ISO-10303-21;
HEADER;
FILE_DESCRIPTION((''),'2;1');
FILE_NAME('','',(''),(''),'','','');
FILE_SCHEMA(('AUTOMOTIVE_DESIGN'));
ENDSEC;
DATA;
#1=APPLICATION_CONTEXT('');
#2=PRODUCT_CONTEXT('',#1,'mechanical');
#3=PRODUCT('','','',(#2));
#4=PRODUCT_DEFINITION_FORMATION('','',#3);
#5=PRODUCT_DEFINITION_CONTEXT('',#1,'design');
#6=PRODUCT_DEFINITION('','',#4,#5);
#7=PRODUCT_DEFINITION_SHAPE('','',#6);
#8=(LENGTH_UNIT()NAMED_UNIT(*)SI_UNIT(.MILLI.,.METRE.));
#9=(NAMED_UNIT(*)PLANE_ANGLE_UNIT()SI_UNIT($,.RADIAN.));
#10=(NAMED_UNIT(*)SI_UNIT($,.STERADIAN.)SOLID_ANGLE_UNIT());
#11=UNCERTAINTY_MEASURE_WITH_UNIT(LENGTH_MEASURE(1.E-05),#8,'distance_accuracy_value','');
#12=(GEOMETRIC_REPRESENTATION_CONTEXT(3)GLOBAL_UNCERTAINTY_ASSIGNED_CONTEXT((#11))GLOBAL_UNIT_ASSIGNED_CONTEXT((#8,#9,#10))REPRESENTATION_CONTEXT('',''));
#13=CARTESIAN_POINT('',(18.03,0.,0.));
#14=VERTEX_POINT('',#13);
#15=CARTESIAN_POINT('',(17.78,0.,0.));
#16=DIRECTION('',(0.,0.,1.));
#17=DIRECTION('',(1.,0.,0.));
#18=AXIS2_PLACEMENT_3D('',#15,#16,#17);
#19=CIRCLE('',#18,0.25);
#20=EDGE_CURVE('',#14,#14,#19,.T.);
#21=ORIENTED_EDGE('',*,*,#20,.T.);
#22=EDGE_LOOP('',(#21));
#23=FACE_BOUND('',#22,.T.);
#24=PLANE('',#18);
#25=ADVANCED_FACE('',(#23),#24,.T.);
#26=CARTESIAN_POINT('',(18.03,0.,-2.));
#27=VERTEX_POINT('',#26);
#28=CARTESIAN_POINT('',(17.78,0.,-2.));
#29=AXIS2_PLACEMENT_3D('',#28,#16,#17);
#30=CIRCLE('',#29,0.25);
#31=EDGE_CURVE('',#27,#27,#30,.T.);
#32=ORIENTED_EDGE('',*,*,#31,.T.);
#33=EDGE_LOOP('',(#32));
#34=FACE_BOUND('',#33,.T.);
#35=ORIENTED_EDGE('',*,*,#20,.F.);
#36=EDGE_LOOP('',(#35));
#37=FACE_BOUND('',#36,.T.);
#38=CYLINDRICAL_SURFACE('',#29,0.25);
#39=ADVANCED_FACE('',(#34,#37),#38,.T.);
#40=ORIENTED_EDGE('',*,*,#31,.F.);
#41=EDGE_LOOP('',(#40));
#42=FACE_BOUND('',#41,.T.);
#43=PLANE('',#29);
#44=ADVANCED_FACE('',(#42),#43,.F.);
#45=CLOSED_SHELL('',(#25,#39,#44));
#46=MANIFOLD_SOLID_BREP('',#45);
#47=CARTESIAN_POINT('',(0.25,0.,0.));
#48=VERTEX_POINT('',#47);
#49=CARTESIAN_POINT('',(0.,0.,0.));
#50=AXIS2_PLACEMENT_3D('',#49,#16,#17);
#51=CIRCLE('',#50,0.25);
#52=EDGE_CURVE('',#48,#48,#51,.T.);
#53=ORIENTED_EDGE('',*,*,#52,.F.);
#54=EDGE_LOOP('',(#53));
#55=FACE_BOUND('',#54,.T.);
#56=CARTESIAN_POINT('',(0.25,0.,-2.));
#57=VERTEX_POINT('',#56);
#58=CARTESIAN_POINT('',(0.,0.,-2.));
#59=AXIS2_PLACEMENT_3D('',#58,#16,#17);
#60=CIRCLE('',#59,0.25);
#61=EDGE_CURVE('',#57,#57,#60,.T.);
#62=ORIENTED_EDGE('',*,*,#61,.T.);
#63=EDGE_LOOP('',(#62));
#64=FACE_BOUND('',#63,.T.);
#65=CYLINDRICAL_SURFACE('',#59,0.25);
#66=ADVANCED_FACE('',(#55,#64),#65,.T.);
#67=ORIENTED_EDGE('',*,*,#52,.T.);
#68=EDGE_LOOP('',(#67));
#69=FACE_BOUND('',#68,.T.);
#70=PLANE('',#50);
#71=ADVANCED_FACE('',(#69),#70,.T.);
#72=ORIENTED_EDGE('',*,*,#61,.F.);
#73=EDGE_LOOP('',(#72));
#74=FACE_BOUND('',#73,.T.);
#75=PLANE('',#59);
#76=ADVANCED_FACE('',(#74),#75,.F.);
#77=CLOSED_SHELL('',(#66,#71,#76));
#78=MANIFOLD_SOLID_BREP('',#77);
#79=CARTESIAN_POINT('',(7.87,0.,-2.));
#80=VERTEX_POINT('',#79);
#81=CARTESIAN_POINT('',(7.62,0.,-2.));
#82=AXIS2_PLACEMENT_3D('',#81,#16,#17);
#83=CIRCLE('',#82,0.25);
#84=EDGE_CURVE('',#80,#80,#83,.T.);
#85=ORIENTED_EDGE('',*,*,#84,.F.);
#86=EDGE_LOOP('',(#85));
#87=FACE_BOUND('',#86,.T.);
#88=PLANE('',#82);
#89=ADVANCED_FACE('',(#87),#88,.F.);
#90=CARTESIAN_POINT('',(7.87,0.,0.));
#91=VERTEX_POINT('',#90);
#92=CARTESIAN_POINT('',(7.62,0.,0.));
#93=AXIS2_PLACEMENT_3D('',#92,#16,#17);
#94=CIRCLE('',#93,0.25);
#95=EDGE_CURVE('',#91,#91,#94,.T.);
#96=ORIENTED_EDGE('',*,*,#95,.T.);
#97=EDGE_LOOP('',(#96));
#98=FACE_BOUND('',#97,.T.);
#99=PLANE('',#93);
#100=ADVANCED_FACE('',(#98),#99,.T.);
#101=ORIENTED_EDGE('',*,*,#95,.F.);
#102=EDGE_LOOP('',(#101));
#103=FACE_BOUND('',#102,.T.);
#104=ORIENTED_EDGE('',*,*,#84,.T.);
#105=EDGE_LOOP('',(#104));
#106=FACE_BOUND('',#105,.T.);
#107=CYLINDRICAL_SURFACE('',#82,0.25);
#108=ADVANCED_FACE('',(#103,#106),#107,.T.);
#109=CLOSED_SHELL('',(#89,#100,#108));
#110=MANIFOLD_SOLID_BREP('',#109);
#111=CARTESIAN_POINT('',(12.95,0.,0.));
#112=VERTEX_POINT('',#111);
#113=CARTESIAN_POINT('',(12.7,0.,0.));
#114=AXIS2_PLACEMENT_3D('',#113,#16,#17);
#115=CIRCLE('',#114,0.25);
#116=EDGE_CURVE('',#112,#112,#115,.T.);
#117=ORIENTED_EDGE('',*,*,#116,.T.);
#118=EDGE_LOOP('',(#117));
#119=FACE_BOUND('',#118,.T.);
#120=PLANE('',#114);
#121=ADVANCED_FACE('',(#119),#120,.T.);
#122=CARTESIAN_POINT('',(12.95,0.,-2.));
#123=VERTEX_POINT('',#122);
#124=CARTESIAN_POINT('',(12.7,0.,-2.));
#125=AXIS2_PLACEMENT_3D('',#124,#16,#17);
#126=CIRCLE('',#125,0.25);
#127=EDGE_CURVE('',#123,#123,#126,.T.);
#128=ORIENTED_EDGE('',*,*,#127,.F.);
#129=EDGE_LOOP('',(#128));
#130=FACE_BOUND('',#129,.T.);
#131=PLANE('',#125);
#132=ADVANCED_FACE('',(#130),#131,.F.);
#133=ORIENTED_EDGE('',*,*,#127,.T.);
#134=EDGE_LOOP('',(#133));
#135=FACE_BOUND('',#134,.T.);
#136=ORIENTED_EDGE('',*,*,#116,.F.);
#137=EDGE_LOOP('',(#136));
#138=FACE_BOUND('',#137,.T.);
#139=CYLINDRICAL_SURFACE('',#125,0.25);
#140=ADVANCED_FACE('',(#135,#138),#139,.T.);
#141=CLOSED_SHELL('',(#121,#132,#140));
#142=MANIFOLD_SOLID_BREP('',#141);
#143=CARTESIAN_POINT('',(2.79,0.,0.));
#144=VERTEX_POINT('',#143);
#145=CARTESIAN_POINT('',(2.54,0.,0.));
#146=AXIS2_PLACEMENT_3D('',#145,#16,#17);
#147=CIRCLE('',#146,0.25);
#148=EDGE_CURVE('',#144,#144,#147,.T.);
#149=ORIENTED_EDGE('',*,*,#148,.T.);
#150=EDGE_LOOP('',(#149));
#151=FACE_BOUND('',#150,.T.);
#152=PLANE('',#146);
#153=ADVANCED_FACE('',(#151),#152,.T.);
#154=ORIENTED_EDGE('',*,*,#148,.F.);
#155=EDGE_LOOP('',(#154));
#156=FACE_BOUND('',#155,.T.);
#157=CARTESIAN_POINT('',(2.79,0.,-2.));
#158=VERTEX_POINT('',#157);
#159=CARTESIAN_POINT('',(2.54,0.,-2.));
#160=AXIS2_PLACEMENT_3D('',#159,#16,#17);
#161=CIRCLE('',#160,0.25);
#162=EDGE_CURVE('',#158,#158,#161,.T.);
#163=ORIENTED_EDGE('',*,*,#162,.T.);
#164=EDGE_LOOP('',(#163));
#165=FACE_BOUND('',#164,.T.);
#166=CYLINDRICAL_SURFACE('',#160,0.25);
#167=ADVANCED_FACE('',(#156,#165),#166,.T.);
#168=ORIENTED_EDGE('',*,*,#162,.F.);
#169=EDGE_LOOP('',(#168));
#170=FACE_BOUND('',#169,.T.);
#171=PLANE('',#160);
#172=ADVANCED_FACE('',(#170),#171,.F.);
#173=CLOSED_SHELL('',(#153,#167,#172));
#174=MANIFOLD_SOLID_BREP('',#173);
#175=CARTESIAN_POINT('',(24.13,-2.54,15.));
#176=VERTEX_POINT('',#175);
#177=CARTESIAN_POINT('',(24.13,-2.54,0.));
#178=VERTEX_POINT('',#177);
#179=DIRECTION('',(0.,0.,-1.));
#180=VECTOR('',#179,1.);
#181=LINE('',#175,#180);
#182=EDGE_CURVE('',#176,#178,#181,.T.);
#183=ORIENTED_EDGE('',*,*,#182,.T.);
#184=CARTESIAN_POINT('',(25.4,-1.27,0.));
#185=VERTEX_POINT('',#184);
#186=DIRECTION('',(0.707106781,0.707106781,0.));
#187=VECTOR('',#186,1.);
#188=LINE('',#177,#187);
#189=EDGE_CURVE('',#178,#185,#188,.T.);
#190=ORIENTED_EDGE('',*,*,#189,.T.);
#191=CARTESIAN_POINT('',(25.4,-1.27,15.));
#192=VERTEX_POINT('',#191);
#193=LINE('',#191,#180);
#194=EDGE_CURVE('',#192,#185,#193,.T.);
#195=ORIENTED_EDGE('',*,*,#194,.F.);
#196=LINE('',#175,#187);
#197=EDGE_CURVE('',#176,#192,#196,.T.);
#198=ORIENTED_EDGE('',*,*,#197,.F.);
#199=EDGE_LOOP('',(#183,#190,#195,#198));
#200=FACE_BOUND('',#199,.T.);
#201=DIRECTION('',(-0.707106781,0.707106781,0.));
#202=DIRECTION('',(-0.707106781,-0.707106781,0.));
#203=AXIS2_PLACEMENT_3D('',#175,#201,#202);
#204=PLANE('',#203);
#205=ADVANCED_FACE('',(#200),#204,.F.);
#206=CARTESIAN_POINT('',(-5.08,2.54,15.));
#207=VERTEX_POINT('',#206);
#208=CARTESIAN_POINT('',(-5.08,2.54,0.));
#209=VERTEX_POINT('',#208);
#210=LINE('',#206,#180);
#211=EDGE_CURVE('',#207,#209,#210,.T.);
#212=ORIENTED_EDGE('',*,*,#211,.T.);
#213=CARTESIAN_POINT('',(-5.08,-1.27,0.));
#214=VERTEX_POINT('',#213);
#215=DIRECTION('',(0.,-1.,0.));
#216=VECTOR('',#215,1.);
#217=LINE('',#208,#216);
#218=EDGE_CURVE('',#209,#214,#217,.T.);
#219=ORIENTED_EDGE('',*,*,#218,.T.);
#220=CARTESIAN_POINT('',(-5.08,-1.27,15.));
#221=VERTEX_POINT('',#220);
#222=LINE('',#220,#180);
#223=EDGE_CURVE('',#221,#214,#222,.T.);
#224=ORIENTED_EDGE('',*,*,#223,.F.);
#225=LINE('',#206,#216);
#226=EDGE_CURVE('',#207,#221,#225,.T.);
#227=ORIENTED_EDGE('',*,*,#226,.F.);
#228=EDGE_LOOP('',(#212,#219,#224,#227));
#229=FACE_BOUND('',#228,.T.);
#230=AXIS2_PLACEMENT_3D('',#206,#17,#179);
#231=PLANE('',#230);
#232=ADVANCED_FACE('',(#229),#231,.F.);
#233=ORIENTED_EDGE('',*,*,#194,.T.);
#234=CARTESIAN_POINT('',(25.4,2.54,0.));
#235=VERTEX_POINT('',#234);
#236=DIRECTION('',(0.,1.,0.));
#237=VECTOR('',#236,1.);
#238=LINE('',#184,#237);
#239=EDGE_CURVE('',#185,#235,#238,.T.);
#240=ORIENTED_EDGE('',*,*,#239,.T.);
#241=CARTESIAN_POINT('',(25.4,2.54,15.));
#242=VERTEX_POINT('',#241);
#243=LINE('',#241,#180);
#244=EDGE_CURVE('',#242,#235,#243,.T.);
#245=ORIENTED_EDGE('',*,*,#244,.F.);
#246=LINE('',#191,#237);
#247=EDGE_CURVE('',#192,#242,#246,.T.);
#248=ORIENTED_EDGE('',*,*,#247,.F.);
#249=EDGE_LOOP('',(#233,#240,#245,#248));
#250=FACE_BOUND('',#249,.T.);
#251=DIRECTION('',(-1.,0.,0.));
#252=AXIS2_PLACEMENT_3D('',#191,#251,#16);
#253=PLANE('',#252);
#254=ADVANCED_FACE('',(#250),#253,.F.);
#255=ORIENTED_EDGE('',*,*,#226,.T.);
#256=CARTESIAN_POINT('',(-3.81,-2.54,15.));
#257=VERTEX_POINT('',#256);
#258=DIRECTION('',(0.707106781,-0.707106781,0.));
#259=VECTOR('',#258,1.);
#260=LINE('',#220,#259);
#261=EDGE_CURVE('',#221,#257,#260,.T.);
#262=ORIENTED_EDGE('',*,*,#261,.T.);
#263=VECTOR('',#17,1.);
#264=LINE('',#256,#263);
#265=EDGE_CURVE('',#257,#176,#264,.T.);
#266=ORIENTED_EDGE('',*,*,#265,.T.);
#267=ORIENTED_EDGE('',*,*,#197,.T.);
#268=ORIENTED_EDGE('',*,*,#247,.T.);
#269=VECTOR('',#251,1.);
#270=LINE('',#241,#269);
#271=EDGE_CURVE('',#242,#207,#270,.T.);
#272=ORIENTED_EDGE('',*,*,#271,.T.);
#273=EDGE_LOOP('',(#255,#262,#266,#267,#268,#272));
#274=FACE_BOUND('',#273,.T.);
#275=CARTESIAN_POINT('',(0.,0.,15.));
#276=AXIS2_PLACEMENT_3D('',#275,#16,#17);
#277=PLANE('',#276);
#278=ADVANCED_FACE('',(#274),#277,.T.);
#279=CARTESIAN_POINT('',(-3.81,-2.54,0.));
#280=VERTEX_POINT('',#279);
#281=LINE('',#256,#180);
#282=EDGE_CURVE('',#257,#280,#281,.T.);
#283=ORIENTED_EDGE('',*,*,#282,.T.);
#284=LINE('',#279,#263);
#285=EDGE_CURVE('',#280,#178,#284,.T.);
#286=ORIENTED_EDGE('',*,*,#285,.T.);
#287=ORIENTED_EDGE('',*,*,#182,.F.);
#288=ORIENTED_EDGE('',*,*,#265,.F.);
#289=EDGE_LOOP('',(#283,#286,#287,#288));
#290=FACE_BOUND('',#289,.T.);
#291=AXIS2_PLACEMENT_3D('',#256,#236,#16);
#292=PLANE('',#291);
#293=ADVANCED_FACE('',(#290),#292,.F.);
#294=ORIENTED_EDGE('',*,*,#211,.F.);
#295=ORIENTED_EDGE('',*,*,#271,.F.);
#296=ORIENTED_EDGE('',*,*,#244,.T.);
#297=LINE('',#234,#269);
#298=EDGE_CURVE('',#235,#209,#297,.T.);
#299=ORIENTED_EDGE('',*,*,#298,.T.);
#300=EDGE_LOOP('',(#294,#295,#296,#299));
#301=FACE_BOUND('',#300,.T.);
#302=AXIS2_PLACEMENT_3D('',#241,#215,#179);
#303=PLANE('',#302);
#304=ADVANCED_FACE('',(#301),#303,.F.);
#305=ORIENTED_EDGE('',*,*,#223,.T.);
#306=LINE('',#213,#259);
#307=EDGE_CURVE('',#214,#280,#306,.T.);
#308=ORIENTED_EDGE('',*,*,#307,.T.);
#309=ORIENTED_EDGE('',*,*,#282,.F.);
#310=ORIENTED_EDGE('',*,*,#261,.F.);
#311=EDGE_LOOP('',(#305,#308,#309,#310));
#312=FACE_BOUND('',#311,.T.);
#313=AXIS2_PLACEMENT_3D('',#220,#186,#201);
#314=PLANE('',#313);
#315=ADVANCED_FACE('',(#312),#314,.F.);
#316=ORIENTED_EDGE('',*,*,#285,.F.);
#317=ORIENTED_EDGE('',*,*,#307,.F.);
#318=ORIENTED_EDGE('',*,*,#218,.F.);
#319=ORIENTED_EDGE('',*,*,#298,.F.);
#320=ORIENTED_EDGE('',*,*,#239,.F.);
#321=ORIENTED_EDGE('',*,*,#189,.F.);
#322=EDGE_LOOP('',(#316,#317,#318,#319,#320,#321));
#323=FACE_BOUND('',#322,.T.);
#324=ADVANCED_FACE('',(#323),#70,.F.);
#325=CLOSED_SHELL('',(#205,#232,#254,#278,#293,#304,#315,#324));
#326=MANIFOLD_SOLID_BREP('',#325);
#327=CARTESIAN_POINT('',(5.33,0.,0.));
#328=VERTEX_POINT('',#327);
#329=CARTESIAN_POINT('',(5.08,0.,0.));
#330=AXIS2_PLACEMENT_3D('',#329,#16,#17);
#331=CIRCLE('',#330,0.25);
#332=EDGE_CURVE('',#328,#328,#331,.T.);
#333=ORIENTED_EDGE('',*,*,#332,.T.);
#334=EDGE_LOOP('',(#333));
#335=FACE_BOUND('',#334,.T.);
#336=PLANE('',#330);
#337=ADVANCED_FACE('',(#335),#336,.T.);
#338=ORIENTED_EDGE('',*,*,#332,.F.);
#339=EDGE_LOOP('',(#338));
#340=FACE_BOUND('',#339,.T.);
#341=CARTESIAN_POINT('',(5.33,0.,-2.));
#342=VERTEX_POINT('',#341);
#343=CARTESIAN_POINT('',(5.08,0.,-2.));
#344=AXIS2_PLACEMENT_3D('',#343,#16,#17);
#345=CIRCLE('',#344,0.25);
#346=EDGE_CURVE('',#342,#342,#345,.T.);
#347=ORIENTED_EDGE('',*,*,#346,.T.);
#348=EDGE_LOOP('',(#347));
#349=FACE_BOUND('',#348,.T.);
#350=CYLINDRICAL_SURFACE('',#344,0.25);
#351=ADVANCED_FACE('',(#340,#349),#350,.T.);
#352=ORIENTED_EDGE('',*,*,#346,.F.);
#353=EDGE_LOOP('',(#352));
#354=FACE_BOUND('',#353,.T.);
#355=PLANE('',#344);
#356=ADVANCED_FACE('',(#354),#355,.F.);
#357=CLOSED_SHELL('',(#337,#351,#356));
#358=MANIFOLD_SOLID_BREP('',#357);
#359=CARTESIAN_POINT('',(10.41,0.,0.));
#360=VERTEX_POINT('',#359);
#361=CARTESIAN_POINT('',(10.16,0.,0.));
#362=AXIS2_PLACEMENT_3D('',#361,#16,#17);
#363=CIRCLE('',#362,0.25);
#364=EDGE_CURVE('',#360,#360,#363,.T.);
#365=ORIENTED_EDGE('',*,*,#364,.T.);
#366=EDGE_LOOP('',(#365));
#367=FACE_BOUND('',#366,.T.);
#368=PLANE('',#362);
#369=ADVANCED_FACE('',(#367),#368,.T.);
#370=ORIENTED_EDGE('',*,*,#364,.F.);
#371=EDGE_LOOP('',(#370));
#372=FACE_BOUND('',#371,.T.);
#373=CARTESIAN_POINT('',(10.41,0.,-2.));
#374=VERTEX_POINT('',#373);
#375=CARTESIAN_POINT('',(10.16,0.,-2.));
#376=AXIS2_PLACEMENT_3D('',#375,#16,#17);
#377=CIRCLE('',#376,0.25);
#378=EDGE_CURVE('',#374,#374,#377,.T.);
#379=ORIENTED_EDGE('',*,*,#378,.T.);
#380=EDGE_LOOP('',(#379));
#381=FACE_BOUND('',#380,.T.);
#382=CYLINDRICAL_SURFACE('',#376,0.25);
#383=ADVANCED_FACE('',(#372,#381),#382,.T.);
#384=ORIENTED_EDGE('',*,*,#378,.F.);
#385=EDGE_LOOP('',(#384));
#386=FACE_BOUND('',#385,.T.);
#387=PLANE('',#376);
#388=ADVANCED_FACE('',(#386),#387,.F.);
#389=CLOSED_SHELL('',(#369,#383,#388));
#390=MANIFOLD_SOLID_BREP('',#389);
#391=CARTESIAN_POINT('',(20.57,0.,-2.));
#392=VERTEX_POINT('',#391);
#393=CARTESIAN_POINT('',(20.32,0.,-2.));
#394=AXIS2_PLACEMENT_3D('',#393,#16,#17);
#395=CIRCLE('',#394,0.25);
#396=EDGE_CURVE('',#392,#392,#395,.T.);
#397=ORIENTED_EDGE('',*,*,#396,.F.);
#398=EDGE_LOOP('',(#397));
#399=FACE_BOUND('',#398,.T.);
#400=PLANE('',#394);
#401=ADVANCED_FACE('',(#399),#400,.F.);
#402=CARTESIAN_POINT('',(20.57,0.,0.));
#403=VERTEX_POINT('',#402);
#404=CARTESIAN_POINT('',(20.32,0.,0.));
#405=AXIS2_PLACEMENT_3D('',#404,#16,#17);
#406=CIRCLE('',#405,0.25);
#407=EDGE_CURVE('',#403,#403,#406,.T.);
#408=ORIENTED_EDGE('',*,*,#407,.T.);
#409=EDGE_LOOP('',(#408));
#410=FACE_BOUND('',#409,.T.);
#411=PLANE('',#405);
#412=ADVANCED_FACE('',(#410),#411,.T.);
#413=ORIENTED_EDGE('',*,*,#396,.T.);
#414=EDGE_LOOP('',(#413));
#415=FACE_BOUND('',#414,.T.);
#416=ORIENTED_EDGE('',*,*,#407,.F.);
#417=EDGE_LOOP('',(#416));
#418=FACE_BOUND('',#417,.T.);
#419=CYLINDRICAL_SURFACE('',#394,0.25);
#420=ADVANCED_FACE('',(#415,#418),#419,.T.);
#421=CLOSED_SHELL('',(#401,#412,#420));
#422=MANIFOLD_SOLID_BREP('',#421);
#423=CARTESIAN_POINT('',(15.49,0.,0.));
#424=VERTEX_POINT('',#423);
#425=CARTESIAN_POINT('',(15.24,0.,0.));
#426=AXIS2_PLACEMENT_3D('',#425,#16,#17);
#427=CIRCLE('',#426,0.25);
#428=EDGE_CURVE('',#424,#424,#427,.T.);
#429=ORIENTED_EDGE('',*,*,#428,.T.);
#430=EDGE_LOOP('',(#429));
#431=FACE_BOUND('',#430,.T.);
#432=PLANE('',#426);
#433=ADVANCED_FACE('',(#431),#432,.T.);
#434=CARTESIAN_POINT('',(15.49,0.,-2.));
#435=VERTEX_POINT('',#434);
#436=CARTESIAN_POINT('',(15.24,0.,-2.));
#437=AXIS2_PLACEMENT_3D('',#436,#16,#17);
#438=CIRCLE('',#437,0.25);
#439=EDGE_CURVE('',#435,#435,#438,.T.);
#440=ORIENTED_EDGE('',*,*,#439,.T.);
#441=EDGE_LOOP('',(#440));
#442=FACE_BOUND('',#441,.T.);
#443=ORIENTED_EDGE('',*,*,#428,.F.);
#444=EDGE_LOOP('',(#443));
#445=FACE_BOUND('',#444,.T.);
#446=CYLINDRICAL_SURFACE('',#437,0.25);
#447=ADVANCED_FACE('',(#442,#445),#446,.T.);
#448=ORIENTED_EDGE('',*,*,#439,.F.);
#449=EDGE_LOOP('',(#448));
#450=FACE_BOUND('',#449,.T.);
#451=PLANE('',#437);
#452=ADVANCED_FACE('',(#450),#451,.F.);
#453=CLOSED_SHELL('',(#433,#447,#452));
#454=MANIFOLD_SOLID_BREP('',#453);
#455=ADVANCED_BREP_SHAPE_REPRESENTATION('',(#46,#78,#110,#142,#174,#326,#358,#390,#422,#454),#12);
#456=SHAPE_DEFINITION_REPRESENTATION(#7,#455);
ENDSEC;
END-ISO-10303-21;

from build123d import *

# Parameters (mm, degrees)
COMPONENT_OUTLINE_DEPTH = 15
SKETCH2_R               = 0.25
EXTRUDE_1_DEPTH         = 2
SKETCH3_R               = 0.25
EXTRUDE_2_DEPTH         = 2
SKETCH4_R               = 0.25
EXTRUDE_3_DEPTH         = 2
SKETCH5_R               = 0.25
EXTRUDE_4_DEPTH         = 2
SKETCH6_R               = 0.25
EXTRUDE_5_DEPTH         = 2
SKETCH7_R               = 0.25
EXTRUDE_6_DEPTH         = 2
SKETCH8_R               = 0.25
EXTRUDE_7_DEPTH         = 2
SKETCH9_R               = 0.25
EXTRUDE_8_DEPTH         = 2
SKETCH10_R              = 0.25
EXTRUDE_9_DEPTH         = 2


with BuildPart() as part:
    # Sketch1 → Component_Outline (new body)
    with BuildSketch(Plane.XY):
        Polygon((-5.08, 2.54), (-5.08, -1.27), (-3.81, -2.54), (24.13, -2.54), (25.4, -1.27), (25.4, 2.54), align=None)
    extrude(amount=COMPONENT_OUTLINE_DEPTH)


with BuildPart() as body_2:
    # Sketch2 → Extrude 1 (new body)
    with BuildSketch(Plane.XY):
        Circle(SKETCH2_R)
    extrude(amount=-EXTRUDE_1_DEPTH)


with BuildPart() as body_3:
    # Sketch3 → Extrude 2 (new body)
    with BuildSketch(Plane.XY):
        with Locations((2.54, 0)):
            Circle(SKETCH3_R)
    extrude(amount=-EXTRUDE_2_DEPTH)


with BuildPart() as body_4:
    # Sketch4 → Extrude 3 (new body)
    with BuildSketch(Plane.XY):
        with Locations((5.08, 0)):
            Circle(SKETCH4_R)
    extrude(amount=-EXTRUDE_3_DEPTH)


with BuildPart() as body_5:
    # Sketch5 → Extrude 4 (new body)
    with BuildSketch(Plane.XY):
        with Locations((7.62, 0)):
            Circle(SKETCH5_R)
    extrude(amount=-EXTRUDE_4_DEPTH)


with BuildPart() as body_6:
    # Sketch6 → Extrude 5 (new body)
    with BuildSketch(Plane.XY):
        with Locations((10.16, 0)):
            Circle(SKETCH6_R)
    extrude(amount=-EXTRUDE_5_DEPTH)


with BuildPart() as body_7:
    # Sketch7 → Extrude 6 (new body)
    with BuildSketch(Plane.XY):
        with Locations((12.7, 0)):
            Circle(SKETCH7_R)
    extrude(amount=-EXTRUDE_6_DEPTH)


with BuildPart() as body_8:
    # Sketch8 → Extrude 7 (new body)
    with BuildSketch(Plane.XY):
        with Locations((15.24, 0)):
            Circle(SKETCH8_R)
    extrude(amount=-EXTRUDE_7_DEPTH)


with BuildPart() as body_9:
    # Sketch9 → Extrude 8 (new body)
    with BuildSketch(Plane.XY):
        with Locations((17.78, 0)):
            Circle(SKETCH9_R)
    extrude(amount=-EXTRUDE_8_DEPTH)


with BuildPart() as body_10:
    # Sketch10 → Extrude 9 (new body)
    with BuildSketch(Plane.XY):
        with Locations((20.32, 0)):
            Circle(SKETCH10_R)
    extrude(amount=-EXTRUDE_9_DEPTH)


solid = Compound([part.part, body_2.part, body_3.part, body_4.part, body_5.part, body_6.part, body_7.part, body_8.part, body_9.part, body_10.part])
